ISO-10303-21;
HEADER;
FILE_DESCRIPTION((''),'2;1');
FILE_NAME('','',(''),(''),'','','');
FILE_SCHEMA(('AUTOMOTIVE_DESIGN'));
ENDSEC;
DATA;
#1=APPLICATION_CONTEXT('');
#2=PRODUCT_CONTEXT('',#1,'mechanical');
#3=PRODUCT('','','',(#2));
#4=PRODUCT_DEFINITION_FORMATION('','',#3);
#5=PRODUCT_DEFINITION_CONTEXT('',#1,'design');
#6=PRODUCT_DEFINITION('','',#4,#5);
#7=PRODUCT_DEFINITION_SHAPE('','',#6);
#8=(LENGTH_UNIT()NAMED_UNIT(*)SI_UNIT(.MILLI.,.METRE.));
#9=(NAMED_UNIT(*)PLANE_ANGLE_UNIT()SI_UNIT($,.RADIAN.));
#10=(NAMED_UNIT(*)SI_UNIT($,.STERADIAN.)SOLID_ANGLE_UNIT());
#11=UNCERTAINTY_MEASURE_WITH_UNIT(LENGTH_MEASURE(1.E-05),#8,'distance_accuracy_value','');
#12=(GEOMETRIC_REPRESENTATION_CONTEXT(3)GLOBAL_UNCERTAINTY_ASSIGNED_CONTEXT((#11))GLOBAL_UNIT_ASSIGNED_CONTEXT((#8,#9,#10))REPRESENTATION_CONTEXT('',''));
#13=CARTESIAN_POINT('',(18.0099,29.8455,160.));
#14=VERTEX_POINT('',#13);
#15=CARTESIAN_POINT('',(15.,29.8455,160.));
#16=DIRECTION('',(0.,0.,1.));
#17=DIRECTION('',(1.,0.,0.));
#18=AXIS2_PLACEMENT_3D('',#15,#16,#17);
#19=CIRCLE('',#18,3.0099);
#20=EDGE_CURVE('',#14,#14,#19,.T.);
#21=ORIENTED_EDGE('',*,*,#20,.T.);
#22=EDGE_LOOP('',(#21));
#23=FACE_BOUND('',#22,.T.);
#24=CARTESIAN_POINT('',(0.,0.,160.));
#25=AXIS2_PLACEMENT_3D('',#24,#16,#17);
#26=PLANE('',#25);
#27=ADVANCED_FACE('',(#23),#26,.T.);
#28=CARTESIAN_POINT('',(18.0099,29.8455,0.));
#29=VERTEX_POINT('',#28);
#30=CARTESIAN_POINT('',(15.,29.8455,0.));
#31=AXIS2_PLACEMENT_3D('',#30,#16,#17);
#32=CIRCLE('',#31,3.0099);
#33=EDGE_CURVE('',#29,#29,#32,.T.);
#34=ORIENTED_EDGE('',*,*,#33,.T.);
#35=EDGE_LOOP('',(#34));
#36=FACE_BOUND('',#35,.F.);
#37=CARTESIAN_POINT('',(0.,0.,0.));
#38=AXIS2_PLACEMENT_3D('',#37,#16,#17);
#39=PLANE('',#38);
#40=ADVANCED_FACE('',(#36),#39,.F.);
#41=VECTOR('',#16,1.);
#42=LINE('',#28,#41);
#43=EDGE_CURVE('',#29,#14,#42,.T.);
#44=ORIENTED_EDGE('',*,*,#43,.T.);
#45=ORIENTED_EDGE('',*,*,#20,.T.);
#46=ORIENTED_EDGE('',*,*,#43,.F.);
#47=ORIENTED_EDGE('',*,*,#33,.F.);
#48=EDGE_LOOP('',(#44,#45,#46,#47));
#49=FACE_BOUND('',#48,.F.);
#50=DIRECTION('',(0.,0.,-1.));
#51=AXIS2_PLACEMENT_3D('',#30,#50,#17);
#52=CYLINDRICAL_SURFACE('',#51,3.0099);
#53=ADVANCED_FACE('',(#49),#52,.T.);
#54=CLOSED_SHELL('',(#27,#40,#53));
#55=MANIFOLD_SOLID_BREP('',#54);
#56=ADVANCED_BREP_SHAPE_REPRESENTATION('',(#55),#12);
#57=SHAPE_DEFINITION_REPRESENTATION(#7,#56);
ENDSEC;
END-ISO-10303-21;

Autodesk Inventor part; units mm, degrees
ref_plane "YZ Plane" through (0, 0, 0) normal (1, 0, 0) x (0, 1, 0)
ref_plane "XZ Plane" through (0, 0, 0) normal (0, 1, 0) x (-1, 0, 0)
ref_plane "XY Plane" through (0, 0, 0) normal (0, 0, 1) x (1, 0, 0)
ref_plane "Arbeitsebene1" through (0, 0, 0) normal (0, 0, 1) x (1, 0, 0)
sketch "Skizze1" plane through (0, 0, 0) normal (0, 0, 1) x (1, 0, 0)
  circle A0 centre (-15, 29.8455) radius 3.0099 projected
  circle A1 centre (15, 29.8455) radius 3.0099 projected
  point P0 (0, 0)
extrude "Extrusion1" add sketch "Skizze1" along normal blind 160 contours A1
properties part number "00_6mm_Rod_Thorlabs"
